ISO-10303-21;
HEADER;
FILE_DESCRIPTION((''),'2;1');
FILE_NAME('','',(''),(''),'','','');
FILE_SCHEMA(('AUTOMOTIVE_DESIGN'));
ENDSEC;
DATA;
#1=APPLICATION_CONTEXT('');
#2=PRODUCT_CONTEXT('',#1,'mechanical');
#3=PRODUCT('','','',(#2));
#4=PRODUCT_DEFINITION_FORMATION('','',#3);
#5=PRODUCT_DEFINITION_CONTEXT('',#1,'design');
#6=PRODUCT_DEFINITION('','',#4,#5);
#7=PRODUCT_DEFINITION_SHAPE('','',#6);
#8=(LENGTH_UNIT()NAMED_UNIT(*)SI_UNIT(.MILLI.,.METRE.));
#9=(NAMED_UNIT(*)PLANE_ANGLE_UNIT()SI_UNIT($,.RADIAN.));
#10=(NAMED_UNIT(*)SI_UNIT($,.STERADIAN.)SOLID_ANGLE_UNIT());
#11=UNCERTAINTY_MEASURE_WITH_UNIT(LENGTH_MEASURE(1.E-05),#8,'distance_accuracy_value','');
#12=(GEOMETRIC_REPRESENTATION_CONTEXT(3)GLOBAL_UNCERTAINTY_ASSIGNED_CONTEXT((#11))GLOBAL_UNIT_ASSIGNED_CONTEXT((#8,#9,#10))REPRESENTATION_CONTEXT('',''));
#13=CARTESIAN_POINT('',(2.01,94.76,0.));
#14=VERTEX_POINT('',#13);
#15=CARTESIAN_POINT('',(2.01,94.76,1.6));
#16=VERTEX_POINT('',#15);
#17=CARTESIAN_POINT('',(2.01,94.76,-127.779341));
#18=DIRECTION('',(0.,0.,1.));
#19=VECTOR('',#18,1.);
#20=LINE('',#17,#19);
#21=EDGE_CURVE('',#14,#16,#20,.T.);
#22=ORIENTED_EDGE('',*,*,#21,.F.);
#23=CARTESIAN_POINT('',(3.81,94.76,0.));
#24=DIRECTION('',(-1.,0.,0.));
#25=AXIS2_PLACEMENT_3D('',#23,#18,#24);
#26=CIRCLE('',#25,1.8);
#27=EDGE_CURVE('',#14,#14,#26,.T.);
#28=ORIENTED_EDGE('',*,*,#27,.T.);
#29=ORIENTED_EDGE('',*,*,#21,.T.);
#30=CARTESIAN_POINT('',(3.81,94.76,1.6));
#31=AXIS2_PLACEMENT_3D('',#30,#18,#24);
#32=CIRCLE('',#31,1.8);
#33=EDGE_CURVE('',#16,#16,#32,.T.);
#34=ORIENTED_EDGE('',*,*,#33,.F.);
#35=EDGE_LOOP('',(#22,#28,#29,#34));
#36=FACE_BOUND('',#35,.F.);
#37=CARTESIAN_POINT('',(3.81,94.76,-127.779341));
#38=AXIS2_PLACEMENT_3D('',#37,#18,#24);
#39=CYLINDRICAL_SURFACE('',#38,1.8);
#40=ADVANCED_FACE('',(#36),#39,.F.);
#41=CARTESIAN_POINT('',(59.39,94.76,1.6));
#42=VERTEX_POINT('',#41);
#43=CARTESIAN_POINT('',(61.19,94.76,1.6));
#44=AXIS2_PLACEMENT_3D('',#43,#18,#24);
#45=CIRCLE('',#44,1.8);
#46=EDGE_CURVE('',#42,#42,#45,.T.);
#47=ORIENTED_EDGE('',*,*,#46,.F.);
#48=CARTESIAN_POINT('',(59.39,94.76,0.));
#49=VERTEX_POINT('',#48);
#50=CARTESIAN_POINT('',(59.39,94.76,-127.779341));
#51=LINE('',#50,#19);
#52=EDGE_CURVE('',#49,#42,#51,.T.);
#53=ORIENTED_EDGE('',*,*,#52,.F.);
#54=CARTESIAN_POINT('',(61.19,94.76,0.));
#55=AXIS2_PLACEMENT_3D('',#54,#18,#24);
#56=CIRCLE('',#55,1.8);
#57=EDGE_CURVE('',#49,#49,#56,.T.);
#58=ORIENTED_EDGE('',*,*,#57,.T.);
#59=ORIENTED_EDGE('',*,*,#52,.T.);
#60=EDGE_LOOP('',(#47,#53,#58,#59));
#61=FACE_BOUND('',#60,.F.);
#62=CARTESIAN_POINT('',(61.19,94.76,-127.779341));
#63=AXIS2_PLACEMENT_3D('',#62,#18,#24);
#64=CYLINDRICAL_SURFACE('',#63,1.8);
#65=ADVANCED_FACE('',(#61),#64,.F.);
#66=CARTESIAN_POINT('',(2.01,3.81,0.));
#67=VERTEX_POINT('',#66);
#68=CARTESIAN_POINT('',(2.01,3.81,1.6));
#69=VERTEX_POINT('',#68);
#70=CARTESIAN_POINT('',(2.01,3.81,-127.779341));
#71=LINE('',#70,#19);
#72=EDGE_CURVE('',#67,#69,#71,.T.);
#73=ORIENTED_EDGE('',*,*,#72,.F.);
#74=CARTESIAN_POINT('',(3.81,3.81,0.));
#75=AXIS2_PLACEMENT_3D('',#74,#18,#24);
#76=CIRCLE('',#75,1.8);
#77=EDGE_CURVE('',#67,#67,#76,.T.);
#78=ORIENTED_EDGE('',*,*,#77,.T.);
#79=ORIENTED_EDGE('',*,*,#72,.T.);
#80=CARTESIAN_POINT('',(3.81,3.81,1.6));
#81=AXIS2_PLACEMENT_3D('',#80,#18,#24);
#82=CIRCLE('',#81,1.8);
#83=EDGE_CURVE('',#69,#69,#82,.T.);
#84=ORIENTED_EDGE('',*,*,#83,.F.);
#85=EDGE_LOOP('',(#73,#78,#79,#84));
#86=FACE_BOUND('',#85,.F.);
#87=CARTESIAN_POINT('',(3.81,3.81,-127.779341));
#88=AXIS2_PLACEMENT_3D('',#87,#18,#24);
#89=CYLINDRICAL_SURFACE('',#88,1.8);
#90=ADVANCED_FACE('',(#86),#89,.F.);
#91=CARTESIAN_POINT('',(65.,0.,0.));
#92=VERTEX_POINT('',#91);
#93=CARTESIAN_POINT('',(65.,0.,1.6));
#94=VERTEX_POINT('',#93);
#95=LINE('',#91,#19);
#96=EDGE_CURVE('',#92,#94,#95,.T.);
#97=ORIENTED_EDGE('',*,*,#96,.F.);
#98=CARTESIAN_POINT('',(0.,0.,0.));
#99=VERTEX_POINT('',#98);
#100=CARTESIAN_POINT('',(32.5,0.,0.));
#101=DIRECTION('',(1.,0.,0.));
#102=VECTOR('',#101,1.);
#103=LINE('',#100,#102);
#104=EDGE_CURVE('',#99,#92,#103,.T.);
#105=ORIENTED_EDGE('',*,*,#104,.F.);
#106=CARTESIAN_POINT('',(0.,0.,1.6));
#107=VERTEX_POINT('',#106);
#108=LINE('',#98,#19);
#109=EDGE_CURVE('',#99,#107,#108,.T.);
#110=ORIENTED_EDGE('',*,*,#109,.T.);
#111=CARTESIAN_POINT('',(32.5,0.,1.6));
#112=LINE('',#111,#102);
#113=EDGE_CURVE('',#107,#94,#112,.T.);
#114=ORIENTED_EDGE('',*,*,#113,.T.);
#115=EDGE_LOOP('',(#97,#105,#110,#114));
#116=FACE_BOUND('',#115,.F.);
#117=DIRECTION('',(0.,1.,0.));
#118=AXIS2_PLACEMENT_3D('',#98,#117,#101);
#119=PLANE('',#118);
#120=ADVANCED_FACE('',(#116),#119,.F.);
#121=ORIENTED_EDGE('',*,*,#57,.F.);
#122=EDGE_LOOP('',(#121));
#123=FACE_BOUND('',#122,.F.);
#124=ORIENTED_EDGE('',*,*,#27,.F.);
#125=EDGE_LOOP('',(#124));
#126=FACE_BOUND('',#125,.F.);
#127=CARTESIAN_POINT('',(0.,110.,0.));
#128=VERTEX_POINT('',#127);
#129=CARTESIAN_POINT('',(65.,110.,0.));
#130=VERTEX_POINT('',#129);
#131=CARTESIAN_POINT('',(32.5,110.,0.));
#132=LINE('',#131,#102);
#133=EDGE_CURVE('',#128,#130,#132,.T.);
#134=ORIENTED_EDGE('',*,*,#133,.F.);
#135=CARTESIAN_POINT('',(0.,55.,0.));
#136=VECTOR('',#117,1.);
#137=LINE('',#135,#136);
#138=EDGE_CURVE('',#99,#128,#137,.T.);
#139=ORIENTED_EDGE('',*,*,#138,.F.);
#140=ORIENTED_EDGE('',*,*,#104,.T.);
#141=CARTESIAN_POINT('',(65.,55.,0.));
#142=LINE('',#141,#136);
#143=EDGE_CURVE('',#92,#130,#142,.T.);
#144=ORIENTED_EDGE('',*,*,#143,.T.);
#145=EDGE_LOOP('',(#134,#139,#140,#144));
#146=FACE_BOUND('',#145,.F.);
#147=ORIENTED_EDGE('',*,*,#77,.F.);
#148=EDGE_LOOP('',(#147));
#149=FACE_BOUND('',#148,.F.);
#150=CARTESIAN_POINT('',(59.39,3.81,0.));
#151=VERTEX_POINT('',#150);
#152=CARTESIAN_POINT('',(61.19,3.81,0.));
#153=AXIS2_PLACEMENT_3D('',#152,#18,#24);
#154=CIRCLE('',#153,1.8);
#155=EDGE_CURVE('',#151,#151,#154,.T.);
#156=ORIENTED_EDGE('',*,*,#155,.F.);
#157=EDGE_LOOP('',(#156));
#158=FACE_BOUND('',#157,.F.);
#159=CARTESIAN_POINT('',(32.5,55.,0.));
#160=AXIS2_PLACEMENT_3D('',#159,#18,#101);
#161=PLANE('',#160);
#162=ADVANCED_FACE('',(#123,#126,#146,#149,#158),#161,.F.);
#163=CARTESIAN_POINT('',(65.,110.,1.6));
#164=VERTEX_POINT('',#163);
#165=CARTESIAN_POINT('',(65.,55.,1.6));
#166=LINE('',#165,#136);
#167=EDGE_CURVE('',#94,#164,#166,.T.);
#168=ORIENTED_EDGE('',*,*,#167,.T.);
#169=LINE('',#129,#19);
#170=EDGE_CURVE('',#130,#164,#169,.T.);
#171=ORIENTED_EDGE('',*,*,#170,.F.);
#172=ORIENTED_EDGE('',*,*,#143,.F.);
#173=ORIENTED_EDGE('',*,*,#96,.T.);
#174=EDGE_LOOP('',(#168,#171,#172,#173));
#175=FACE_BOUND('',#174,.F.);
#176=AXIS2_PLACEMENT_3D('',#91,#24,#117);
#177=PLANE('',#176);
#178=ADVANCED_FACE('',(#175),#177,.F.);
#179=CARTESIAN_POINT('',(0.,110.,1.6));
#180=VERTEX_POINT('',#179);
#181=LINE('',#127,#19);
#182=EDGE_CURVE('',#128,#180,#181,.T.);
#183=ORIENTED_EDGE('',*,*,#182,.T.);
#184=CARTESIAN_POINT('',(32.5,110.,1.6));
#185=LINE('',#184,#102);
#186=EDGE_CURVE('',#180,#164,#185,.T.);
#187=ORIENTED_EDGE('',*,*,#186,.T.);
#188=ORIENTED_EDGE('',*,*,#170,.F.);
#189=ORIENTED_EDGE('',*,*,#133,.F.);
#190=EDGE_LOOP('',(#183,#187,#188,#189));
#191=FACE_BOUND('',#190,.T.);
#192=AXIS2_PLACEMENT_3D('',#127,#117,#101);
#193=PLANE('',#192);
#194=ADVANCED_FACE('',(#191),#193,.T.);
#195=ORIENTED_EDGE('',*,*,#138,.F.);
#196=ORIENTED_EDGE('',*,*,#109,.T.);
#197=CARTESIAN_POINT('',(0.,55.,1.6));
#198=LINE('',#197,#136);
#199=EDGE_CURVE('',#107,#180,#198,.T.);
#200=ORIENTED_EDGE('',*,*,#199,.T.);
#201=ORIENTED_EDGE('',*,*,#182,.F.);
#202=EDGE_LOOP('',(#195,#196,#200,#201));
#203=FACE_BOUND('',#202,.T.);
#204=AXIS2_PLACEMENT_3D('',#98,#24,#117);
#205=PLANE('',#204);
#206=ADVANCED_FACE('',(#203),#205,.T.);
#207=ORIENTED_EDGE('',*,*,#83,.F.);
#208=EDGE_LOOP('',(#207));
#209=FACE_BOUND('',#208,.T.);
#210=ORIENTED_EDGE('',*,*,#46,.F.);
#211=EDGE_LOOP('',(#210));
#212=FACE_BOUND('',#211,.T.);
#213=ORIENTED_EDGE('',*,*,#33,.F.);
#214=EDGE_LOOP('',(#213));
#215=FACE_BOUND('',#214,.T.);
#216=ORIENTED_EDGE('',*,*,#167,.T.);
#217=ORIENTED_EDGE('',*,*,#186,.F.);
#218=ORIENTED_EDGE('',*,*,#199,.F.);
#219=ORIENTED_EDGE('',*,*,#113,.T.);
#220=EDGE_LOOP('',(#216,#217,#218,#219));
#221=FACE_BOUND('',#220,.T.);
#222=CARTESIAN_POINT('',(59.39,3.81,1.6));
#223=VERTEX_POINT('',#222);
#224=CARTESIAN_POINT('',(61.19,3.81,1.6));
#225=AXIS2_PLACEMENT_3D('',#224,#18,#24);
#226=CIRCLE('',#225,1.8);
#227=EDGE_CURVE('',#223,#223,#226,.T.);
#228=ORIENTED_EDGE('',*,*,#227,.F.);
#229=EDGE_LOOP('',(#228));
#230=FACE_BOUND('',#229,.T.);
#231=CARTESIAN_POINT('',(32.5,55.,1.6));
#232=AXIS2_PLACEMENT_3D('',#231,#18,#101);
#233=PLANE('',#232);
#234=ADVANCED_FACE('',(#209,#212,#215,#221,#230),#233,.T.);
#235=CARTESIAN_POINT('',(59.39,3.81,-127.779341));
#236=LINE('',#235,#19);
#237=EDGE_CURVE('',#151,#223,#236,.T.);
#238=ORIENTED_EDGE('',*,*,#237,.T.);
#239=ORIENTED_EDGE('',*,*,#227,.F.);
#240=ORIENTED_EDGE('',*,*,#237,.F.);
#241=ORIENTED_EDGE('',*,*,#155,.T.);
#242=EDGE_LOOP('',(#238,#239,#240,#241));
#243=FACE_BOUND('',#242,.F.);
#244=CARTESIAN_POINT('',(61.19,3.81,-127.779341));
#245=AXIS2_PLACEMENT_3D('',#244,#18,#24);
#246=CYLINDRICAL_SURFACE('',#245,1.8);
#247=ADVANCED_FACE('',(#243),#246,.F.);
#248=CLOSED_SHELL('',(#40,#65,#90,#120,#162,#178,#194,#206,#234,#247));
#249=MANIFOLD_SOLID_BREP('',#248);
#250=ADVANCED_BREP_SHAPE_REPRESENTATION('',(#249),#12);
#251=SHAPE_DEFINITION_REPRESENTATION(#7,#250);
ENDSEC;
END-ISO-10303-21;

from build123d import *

# Parameters (mm, degrees)
F0_W     = 65
F0_H     = 110
F1_DEPTH = 1.6
F2_D     = 3.6


with BuildPart() as f1:
    # F0 (on Top) → F1 (new body)
    with BuildSketch(Plane.XY):
        with Locations((32.5, 55)):
            Rectangle(F0_W, F0_H)
    extrude(amount=F1_DEPTH)

    # F2 (through all)
    with Locations(Plane(origin=(0, 0, 0), x_dir=(1, 0, 0), z_dir=(0, 0, -1))):
        with Locations((3.81, -94.76), (61.19, -94.76), (3.81, -3.81), (61.19, -3.81)):
            Hole(F2_D / 2)


solid = f1.part
